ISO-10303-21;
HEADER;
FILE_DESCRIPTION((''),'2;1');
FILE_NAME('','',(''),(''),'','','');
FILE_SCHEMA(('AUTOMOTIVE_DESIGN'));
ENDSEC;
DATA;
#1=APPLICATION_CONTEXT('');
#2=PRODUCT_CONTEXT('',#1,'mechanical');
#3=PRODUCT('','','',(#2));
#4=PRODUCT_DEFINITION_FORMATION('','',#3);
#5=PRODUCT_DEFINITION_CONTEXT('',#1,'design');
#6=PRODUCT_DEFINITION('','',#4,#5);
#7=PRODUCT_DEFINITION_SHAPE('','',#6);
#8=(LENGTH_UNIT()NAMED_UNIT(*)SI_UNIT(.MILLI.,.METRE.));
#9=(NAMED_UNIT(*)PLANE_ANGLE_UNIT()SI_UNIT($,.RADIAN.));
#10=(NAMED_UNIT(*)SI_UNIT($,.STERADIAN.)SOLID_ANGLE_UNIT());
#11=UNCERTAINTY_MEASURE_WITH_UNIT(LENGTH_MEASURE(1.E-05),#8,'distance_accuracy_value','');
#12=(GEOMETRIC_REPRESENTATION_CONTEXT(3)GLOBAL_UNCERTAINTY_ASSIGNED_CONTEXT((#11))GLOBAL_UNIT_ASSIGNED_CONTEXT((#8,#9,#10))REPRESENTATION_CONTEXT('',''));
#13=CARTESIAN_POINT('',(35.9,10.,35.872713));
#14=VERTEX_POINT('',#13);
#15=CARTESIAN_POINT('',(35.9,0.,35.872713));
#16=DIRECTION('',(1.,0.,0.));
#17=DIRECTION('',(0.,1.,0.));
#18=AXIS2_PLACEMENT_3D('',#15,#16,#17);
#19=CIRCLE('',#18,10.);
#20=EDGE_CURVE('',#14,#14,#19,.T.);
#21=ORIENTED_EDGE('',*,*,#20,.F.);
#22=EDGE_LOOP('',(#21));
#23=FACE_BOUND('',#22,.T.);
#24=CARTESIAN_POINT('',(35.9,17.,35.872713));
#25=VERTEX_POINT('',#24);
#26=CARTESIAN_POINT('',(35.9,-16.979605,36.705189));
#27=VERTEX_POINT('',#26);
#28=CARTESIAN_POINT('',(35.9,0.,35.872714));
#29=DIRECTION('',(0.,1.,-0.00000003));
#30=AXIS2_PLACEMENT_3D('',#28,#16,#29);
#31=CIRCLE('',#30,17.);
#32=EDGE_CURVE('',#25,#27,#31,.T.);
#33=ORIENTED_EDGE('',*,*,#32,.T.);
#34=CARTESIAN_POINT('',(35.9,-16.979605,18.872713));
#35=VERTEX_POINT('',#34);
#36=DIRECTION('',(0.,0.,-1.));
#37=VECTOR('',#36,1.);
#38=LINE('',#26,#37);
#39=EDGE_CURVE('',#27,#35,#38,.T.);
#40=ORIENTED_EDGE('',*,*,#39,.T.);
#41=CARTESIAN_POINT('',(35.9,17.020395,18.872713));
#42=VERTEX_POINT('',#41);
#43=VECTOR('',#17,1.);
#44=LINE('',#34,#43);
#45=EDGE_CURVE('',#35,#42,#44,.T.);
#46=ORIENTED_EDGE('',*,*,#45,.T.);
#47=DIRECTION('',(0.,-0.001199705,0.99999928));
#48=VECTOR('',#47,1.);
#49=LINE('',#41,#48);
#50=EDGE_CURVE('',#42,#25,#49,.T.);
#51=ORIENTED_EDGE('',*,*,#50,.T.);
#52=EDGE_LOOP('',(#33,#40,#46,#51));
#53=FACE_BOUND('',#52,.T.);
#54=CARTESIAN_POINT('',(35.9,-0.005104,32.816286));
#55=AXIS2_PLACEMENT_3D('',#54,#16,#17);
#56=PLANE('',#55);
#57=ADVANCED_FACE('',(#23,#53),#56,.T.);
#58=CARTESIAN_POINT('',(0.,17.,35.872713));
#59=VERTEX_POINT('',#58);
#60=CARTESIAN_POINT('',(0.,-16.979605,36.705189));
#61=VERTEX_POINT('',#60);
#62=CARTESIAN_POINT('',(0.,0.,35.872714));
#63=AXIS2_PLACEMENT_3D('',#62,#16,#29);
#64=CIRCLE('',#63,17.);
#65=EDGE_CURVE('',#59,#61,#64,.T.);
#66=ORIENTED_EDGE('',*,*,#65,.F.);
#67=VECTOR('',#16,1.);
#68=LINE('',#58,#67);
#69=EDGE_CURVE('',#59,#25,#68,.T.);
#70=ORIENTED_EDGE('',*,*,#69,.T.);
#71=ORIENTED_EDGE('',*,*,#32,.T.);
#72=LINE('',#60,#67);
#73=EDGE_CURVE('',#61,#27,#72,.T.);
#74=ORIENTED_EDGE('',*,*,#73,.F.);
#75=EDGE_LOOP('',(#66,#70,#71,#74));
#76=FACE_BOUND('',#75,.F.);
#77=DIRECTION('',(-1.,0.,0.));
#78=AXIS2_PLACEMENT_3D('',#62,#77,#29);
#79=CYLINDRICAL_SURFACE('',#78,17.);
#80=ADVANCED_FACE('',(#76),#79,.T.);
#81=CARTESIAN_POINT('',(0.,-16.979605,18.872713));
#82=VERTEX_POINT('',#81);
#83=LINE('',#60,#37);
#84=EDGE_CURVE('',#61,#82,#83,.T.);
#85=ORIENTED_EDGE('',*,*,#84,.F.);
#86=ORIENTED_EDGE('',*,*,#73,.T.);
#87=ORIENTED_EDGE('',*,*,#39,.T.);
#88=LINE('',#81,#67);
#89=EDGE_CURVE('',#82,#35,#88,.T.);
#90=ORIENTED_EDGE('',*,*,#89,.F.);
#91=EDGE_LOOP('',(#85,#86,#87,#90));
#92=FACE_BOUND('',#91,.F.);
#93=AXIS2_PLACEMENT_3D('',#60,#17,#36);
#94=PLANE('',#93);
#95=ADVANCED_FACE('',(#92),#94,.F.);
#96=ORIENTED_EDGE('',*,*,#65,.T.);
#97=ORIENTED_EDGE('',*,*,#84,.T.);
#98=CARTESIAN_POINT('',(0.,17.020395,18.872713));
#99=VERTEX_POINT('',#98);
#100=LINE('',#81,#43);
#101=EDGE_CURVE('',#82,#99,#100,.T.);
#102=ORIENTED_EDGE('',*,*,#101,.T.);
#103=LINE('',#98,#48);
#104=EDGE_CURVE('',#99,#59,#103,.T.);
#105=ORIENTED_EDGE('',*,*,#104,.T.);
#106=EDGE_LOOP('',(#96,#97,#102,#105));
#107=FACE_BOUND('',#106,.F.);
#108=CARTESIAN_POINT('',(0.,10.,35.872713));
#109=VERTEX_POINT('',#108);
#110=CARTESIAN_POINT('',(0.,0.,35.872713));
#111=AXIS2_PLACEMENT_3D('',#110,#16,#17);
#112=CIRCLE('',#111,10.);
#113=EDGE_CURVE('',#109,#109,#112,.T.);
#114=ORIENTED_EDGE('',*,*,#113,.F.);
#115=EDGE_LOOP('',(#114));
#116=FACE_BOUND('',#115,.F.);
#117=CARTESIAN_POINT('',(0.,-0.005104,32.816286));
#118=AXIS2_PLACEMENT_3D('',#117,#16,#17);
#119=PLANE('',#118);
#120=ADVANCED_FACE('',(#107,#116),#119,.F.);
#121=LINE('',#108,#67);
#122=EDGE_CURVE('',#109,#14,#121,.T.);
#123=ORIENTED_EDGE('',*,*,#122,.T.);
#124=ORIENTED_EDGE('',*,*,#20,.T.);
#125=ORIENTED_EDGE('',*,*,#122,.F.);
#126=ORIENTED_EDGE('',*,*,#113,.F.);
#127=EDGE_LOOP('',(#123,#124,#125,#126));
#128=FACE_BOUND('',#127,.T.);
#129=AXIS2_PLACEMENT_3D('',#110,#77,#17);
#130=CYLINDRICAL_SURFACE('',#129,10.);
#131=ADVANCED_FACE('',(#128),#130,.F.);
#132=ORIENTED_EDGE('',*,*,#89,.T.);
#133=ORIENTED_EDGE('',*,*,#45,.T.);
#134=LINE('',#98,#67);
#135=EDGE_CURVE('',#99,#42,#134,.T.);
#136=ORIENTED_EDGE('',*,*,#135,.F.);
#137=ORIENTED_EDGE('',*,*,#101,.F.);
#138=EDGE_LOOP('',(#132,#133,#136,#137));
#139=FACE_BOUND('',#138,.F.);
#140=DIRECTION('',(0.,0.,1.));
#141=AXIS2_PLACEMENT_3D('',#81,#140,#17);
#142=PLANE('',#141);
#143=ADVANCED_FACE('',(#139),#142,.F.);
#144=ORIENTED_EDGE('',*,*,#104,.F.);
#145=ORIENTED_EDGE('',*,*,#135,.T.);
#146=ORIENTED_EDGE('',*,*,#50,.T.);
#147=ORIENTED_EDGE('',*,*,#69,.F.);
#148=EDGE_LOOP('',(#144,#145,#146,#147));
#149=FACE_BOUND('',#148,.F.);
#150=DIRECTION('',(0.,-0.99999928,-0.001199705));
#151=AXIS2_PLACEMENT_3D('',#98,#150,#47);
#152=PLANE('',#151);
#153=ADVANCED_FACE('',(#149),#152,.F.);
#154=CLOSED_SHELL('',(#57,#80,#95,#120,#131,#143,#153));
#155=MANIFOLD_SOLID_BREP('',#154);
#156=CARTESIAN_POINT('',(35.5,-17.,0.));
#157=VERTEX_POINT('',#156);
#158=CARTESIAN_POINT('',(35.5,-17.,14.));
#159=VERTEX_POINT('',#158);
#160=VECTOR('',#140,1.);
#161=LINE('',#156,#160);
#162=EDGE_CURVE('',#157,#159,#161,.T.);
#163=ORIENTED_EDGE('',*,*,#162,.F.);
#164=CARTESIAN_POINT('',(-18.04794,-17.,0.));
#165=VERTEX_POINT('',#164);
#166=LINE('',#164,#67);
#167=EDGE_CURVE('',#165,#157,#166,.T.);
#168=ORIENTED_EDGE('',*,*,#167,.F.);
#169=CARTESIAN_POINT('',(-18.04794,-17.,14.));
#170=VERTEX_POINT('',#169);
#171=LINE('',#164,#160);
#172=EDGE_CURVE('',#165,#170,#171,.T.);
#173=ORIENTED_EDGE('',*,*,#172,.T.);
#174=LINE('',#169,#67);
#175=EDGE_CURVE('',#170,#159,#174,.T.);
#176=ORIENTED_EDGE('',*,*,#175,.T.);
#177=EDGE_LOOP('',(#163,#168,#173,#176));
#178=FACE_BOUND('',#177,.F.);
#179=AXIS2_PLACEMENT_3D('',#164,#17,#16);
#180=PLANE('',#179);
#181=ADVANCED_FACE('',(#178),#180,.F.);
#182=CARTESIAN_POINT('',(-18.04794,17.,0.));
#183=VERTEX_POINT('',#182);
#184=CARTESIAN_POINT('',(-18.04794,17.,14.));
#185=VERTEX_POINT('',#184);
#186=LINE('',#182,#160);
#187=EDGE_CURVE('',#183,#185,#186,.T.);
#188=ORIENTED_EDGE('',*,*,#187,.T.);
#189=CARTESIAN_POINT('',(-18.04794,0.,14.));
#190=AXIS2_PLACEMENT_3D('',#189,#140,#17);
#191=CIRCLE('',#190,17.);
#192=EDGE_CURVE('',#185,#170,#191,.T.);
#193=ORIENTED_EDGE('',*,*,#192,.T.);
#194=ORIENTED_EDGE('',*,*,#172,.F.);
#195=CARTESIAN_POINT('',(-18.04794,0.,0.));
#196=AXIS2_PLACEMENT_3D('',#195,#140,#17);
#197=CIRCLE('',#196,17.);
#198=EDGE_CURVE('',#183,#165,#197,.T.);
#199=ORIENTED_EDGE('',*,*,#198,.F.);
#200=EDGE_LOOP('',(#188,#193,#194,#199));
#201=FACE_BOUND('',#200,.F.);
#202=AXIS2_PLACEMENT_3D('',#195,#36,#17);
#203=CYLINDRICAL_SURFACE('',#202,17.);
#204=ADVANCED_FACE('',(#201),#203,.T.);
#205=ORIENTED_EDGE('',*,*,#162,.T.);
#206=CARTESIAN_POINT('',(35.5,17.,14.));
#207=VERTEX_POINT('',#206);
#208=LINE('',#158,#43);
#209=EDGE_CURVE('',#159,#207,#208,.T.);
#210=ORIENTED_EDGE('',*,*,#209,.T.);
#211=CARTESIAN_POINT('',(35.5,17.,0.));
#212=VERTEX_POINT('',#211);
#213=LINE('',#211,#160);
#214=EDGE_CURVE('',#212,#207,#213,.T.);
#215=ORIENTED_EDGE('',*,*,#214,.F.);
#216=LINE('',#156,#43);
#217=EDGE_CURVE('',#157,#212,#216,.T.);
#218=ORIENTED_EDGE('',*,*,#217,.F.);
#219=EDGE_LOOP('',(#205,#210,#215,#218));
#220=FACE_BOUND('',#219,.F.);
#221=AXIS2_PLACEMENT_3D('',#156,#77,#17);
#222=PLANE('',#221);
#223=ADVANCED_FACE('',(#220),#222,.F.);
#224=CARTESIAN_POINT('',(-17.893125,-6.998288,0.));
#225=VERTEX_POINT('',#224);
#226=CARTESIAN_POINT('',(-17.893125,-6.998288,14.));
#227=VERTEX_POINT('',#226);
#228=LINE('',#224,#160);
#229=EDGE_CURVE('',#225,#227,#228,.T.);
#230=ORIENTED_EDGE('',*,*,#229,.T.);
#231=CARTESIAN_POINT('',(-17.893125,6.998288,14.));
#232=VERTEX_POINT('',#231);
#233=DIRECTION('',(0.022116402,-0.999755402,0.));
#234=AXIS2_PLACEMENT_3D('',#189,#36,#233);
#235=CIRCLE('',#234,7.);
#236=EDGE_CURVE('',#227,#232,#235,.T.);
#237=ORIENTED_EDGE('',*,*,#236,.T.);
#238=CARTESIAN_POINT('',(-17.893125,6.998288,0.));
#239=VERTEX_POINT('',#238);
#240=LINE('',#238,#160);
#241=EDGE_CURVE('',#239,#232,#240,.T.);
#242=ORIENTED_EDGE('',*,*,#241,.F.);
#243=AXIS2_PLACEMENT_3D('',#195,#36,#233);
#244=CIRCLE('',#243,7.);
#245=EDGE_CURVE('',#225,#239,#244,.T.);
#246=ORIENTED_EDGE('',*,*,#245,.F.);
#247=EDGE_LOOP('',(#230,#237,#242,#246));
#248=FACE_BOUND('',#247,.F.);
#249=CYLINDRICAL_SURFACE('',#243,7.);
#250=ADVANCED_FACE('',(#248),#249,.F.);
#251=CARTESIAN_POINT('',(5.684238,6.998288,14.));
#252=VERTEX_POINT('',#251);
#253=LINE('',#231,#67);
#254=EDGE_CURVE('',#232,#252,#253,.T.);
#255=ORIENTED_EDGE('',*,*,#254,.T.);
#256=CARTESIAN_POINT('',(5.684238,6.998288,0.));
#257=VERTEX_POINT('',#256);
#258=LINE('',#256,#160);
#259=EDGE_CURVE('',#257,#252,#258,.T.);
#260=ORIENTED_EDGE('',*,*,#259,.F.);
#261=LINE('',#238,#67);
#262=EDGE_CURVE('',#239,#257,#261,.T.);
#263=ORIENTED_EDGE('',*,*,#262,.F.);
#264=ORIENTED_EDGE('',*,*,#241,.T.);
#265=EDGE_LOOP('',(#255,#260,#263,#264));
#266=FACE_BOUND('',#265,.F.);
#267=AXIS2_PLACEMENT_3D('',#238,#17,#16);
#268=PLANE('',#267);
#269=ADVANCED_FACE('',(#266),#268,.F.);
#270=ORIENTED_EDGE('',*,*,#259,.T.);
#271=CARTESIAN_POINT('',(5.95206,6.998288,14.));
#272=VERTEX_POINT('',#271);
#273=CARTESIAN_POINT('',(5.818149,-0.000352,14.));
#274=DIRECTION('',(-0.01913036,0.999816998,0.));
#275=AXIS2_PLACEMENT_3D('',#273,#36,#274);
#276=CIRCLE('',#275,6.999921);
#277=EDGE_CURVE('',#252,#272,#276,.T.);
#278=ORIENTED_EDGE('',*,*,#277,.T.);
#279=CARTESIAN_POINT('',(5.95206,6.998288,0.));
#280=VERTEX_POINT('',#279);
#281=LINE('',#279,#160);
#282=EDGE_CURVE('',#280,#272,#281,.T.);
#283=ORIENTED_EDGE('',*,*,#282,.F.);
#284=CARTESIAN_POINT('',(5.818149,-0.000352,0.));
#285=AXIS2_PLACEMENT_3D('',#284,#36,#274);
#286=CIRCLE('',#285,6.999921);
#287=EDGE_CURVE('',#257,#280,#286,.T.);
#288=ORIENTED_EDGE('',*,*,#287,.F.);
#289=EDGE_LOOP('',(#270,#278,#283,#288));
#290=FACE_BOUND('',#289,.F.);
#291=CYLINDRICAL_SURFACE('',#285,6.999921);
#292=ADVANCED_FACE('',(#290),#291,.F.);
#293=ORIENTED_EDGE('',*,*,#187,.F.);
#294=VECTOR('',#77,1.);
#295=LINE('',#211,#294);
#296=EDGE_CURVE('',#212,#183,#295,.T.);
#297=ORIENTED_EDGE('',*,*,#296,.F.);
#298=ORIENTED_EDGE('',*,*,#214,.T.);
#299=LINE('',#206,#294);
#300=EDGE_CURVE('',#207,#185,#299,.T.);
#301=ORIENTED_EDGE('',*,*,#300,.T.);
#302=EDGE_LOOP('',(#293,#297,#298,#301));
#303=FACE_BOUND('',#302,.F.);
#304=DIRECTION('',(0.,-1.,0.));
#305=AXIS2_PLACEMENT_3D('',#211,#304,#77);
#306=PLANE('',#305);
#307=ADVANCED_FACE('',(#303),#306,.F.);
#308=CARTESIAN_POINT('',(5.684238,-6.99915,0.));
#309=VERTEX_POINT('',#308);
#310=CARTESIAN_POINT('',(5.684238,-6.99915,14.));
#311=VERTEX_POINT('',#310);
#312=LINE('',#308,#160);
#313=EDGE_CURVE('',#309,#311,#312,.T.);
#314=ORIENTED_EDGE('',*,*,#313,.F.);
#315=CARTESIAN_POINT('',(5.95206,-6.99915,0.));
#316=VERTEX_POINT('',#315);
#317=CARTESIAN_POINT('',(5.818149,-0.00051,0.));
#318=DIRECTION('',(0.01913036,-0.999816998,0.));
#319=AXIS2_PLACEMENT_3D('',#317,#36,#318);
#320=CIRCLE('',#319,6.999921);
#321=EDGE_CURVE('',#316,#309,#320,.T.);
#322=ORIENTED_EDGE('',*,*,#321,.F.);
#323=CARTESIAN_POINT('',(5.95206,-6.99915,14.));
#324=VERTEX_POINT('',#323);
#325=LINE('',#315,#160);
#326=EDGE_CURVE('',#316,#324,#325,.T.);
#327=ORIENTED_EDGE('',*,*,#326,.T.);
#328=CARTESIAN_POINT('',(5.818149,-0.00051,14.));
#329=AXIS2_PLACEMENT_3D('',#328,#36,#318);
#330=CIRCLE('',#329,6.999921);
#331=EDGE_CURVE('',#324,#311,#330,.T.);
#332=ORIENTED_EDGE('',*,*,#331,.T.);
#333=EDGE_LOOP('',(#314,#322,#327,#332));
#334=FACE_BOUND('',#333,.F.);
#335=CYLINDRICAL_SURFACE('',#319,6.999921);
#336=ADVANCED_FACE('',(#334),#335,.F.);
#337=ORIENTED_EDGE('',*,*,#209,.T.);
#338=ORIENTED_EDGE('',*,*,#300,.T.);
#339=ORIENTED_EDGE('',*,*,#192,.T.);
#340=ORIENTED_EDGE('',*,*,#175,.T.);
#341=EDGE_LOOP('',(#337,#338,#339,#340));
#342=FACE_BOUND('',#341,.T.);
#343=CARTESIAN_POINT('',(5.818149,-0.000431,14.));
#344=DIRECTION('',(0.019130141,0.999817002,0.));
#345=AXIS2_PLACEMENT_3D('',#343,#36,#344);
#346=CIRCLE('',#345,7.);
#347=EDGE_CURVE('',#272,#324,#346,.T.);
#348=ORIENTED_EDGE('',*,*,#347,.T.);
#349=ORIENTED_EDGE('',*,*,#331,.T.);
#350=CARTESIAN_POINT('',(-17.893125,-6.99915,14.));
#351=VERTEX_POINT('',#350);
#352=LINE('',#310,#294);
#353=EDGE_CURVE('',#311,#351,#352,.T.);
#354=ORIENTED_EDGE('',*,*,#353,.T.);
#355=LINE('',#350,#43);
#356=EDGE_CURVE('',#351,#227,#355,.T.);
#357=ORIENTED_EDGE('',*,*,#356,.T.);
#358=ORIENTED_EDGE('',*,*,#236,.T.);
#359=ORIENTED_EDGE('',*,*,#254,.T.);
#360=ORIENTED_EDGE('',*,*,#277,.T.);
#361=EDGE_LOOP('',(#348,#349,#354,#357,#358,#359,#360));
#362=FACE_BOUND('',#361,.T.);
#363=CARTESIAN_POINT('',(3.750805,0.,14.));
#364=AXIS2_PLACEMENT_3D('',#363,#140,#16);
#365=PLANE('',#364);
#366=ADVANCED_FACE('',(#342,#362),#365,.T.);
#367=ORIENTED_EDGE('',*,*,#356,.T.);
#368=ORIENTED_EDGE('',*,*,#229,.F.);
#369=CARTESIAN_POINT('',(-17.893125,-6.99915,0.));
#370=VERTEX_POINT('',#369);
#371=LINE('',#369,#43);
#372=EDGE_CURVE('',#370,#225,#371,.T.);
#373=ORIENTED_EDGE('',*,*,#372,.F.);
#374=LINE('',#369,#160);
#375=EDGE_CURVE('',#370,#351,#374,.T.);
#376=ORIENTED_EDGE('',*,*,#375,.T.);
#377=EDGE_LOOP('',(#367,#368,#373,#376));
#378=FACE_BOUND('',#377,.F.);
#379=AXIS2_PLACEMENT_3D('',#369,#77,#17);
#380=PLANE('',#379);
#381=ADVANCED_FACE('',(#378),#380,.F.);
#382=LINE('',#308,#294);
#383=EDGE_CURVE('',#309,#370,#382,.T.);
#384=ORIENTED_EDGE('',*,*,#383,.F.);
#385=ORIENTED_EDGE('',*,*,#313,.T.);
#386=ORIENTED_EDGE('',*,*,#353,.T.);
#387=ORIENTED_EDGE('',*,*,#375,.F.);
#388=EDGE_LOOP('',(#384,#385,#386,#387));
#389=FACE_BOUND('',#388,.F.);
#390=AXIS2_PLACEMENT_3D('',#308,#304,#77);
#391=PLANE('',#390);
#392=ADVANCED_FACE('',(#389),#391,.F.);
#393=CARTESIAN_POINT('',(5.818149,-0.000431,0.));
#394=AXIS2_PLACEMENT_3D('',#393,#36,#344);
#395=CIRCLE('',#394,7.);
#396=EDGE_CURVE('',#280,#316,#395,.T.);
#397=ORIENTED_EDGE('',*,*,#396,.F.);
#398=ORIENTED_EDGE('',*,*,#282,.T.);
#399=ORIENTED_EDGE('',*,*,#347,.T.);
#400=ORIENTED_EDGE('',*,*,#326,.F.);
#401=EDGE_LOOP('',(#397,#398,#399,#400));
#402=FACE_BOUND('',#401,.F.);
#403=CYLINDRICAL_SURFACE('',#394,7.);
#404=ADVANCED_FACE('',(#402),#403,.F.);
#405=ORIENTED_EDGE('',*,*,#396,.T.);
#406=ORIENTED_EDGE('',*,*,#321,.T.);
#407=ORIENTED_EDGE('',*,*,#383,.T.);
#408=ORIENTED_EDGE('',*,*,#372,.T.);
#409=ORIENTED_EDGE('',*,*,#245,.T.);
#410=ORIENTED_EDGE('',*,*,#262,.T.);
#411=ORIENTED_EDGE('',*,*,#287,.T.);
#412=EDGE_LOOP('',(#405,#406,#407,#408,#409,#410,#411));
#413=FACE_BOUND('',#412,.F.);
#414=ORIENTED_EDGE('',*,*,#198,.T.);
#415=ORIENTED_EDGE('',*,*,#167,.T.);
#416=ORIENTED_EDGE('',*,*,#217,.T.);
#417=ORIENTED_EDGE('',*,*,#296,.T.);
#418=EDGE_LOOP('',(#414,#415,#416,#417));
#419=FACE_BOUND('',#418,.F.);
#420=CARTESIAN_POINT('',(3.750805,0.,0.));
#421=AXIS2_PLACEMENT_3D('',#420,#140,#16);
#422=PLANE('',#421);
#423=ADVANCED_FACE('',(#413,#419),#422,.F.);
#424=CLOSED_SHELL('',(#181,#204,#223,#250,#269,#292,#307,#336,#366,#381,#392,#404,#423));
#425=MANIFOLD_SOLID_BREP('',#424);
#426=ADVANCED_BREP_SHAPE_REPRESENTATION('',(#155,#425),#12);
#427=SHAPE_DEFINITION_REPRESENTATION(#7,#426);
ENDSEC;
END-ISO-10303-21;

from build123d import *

# Parameters (mm, degrees)
F1_DEPTH = 14
F2_R     = 10
F3_DEPTH = 35.9


with BuildPart() as f1:
    # F0 (on Top) → F1 (new body)
    with BuildSketch(Plane.XY):
        with BuildLine():
            Line((35.5, 17), (-18.04794, 17))
            ThreePointArc((-18.04794, 17), (-35.04794, 0), (-18.04794, -17))
            Line((-18.04794, -17), (35.5, -17))
            Line((35.5, -17), (35.5, 17))
        make_face()
        with BuildLine():
            ThreePointArc((-17.893125, -6.998288), (-25.04794, 0), (-17.893125, 6.998288))
            Line((-17.893125, 6.998288), (5.684238, 6.998288))
            ThreePointArc((5.684238, 6.998288), (5.818149, 6.999569), (5.95206, 6.998288))
            ThreePointArc((5.95206, 6.998288), (12.818149, -0.000431), (5.95206, -6.99915))
            ThreePointArc((5.95206, -6.99915), (5.818149, -7.000431), (5.684238, -6.99915))
            Line((5.684238, -6.99915), (-17.893125, -6.99915))
            Line((-17.893125, -6.99915), (-17.893125, -6.998288))
        make_face(mode=Mode.SUBTRACT)
    extrude(amount=F1_DEPTH)


with BuildPart() as f3:
    # F2 (on Right) → F3 (new body)
    with BuildSketch(Plane.YZ):
        with BuildLine():
            Line((-16.979605, 35.040238), (-16.979605, 18.872713))
            Line((-16.979605, 18.872713), (17.020395, 18.872713))
            Line((17.020395, 18.872713), (17, 35.872713))
            ThreePointArc((17, 35.872713), (0.416363, 52.867614), (-16.979605, 36.705189))
            Line((-16.979605, 36.705189), (-16.979605, 35.040238))
        make_face()
        with Locations((0, 35.872713)):
            Circle(F2_R, mode=Mode.SUBTRACT)
    extrude(amount=F3_DEPTH)


solid = Compound([f1.part, f3.part])
